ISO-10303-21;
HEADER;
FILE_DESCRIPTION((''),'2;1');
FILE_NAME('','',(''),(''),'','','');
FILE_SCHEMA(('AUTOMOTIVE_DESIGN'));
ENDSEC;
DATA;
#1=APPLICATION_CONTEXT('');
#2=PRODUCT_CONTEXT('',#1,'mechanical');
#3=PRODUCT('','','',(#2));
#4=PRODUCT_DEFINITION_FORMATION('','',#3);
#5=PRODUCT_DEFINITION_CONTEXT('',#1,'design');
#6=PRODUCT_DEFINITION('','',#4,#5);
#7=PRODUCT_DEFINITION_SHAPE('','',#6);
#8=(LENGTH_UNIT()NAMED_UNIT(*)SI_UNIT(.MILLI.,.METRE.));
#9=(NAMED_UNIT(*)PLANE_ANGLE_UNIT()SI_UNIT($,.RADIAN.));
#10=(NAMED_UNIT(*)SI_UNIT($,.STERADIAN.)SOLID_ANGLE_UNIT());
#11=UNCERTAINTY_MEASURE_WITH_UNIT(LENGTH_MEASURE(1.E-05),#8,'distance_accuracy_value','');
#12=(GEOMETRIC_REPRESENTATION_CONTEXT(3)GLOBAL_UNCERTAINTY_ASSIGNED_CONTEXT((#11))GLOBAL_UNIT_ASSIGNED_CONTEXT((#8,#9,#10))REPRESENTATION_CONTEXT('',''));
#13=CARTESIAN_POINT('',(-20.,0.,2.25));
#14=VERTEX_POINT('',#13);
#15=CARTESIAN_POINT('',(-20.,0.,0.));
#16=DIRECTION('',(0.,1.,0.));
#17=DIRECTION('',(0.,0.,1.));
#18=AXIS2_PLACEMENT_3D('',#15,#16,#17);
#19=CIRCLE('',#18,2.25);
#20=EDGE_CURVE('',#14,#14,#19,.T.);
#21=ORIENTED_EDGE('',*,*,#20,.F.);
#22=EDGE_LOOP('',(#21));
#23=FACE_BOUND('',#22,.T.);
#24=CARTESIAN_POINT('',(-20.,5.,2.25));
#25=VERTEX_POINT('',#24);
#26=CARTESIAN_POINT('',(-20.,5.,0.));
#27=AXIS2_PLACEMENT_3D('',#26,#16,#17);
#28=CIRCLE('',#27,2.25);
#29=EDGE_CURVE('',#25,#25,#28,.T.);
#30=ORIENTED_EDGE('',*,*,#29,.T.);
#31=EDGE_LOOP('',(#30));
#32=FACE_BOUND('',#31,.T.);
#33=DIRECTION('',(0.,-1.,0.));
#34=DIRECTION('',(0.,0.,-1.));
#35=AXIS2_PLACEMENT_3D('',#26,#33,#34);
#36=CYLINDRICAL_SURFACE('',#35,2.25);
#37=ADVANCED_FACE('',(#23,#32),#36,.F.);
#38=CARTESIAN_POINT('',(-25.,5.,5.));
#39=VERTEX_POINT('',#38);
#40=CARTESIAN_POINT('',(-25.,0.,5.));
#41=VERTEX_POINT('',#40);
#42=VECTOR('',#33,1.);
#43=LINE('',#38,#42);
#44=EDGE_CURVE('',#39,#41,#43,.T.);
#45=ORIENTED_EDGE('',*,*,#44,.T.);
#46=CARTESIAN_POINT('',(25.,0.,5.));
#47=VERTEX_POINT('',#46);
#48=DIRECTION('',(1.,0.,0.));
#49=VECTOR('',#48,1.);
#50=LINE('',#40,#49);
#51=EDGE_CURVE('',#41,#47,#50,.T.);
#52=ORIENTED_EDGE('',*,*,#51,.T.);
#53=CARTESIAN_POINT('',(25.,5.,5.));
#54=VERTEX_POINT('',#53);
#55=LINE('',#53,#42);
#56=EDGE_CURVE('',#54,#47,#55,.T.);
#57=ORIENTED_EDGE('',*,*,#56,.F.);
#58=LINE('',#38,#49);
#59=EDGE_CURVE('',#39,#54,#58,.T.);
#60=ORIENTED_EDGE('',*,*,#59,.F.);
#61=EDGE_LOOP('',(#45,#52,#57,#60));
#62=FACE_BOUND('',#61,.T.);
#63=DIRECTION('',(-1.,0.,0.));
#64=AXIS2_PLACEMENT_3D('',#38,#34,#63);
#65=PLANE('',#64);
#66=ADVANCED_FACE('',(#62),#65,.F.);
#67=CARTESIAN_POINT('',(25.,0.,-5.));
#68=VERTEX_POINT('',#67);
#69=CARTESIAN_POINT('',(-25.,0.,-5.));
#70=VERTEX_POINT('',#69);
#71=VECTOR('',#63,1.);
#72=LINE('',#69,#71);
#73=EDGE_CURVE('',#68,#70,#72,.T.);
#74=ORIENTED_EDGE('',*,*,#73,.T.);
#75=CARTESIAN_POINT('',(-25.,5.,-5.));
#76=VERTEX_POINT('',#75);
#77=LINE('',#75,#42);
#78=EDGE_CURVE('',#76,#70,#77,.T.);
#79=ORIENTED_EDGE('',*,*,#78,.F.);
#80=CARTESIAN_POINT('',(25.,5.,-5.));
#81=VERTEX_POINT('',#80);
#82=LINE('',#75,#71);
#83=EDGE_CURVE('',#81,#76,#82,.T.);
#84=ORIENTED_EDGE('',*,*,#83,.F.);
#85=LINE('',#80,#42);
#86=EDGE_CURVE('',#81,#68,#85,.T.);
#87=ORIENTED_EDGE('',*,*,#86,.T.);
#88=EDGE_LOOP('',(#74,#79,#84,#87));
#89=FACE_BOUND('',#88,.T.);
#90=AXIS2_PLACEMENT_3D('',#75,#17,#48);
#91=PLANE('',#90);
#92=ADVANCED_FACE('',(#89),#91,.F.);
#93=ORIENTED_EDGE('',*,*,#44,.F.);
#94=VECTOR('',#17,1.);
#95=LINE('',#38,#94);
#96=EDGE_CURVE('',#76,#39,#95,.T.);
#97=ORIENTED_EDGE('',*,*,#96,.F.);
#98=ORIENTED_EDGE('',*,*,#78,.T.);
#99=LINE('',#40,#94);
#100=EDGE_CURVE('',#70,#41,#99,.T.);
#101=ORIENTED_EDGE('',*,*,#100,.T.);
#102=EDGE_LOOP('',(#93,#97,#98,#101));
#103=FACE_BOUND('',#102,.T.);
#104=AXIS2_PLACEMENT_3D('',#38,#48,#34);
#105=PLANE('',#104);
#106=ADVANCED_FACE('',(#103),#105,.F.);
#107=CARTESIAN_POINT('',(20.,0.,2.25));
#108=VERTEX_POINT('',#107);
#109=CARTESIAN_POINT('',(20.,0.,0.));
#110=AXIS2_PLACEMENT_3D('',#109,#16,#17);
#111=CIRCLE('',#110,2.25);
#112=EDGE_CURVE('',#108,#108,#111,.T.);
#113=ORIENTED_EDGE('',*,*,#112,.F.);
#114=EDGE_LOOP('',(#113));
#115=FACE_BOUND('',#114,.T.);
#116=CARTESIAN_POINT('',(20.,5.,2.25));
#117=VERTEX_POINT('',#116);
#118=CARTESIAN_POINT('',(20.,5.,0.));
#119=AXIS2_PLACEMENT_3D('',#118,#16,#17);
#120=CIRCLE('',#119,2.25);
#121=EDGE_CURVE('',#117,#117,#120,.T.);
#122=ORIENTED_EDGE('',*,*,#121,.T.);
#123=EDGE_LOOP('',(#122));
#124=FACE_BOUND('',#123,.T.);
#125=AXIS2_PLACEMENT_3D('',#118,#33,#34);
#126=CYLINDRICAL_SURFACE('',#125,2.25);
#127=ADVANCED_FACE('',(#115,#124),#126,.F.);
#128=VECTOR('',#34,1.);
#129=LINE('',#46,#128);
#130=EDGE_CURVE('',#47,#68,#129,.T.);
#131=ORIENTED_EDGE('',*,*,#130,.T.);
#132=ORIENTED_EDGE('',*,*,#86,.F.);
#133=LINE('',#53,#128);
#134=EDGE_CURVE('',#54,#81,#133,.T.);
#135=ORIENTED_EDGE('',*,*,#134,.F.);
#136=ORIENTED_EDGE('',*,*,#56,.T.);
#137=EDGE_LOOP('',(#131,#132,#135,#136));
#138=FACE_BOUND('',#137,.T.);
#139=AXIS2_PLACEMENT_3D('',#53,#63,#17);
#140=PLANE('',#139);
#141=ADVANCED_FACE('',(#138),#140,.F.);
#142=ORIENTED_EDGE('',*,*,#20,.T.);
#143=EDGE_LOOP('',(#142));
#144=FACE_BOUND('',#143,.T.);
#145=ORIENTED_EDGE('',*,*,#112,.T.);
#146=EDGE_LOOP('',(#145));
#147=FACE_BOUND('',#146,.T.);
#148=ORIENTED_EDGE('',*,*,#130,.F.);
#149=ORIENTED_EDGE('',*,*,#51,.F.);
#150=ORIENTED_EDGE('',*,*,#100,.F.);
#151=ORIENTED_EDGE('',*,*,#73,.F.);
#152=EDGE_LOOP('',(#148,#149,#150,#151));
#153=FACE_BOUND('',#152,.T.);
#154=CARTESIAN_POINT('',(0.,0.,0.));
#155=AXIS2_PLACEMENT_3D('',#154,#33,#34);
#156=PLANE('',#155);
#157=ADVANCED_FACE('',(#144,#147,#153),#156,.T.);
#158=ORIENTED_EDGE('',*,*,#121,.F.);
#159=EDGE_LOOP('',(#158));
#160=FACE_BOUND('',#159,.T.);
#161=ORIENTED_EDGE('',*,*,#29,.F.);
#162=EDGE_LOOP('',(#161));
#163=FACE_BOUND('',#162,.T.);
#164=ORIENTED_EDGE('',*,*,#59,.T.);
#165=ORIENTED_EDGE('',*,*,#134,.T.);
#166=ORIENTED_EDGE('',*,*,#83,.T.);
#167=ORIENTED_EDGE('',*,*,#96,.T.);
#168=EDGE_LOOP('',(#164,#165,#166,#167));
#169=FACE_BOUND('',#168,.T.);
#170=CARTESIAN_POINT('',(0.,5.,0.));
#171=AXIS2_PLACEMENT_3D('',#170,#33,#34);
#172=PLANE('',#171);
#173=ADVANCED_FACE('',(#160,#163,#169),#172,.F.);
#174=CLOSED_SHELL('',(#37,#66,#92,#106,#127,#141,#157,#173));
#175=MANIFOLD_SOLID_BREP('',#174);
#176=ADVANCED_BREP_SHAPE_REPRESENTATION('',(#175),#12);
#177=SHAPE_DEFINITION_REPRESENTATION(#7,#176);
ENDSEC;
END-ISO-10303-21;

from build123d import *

# Parameters (mm, degrees)
SKETCH1_W           = 50
SKETCH1_H           = 10
SKETCH1_R           = 2.25
BOSS_EXTRUDE1_DEPTH = 5


with BuildPart() as part:
    # Sketch1 → Boss-Extrude1 (new body)
    with BuildSketch(Plane(origin=(0, 0, 0), x_dir=(1, 0, 0), z_dir=(0, 1, 0))):
        Rectangle(SKETCH1_W, SKETCH1_H)
        with Locations((-20, 0)):
            Circle(SKETCH1_R, mode=Mode.SUBTRACT)
        with Locations((20, 0)):
            Circle(SKETCH1_R, mode=Mode.SUBTRACT)
    extrude(amount=BOSS_EXTRUDE1_DEPTH)


solid = part.part
